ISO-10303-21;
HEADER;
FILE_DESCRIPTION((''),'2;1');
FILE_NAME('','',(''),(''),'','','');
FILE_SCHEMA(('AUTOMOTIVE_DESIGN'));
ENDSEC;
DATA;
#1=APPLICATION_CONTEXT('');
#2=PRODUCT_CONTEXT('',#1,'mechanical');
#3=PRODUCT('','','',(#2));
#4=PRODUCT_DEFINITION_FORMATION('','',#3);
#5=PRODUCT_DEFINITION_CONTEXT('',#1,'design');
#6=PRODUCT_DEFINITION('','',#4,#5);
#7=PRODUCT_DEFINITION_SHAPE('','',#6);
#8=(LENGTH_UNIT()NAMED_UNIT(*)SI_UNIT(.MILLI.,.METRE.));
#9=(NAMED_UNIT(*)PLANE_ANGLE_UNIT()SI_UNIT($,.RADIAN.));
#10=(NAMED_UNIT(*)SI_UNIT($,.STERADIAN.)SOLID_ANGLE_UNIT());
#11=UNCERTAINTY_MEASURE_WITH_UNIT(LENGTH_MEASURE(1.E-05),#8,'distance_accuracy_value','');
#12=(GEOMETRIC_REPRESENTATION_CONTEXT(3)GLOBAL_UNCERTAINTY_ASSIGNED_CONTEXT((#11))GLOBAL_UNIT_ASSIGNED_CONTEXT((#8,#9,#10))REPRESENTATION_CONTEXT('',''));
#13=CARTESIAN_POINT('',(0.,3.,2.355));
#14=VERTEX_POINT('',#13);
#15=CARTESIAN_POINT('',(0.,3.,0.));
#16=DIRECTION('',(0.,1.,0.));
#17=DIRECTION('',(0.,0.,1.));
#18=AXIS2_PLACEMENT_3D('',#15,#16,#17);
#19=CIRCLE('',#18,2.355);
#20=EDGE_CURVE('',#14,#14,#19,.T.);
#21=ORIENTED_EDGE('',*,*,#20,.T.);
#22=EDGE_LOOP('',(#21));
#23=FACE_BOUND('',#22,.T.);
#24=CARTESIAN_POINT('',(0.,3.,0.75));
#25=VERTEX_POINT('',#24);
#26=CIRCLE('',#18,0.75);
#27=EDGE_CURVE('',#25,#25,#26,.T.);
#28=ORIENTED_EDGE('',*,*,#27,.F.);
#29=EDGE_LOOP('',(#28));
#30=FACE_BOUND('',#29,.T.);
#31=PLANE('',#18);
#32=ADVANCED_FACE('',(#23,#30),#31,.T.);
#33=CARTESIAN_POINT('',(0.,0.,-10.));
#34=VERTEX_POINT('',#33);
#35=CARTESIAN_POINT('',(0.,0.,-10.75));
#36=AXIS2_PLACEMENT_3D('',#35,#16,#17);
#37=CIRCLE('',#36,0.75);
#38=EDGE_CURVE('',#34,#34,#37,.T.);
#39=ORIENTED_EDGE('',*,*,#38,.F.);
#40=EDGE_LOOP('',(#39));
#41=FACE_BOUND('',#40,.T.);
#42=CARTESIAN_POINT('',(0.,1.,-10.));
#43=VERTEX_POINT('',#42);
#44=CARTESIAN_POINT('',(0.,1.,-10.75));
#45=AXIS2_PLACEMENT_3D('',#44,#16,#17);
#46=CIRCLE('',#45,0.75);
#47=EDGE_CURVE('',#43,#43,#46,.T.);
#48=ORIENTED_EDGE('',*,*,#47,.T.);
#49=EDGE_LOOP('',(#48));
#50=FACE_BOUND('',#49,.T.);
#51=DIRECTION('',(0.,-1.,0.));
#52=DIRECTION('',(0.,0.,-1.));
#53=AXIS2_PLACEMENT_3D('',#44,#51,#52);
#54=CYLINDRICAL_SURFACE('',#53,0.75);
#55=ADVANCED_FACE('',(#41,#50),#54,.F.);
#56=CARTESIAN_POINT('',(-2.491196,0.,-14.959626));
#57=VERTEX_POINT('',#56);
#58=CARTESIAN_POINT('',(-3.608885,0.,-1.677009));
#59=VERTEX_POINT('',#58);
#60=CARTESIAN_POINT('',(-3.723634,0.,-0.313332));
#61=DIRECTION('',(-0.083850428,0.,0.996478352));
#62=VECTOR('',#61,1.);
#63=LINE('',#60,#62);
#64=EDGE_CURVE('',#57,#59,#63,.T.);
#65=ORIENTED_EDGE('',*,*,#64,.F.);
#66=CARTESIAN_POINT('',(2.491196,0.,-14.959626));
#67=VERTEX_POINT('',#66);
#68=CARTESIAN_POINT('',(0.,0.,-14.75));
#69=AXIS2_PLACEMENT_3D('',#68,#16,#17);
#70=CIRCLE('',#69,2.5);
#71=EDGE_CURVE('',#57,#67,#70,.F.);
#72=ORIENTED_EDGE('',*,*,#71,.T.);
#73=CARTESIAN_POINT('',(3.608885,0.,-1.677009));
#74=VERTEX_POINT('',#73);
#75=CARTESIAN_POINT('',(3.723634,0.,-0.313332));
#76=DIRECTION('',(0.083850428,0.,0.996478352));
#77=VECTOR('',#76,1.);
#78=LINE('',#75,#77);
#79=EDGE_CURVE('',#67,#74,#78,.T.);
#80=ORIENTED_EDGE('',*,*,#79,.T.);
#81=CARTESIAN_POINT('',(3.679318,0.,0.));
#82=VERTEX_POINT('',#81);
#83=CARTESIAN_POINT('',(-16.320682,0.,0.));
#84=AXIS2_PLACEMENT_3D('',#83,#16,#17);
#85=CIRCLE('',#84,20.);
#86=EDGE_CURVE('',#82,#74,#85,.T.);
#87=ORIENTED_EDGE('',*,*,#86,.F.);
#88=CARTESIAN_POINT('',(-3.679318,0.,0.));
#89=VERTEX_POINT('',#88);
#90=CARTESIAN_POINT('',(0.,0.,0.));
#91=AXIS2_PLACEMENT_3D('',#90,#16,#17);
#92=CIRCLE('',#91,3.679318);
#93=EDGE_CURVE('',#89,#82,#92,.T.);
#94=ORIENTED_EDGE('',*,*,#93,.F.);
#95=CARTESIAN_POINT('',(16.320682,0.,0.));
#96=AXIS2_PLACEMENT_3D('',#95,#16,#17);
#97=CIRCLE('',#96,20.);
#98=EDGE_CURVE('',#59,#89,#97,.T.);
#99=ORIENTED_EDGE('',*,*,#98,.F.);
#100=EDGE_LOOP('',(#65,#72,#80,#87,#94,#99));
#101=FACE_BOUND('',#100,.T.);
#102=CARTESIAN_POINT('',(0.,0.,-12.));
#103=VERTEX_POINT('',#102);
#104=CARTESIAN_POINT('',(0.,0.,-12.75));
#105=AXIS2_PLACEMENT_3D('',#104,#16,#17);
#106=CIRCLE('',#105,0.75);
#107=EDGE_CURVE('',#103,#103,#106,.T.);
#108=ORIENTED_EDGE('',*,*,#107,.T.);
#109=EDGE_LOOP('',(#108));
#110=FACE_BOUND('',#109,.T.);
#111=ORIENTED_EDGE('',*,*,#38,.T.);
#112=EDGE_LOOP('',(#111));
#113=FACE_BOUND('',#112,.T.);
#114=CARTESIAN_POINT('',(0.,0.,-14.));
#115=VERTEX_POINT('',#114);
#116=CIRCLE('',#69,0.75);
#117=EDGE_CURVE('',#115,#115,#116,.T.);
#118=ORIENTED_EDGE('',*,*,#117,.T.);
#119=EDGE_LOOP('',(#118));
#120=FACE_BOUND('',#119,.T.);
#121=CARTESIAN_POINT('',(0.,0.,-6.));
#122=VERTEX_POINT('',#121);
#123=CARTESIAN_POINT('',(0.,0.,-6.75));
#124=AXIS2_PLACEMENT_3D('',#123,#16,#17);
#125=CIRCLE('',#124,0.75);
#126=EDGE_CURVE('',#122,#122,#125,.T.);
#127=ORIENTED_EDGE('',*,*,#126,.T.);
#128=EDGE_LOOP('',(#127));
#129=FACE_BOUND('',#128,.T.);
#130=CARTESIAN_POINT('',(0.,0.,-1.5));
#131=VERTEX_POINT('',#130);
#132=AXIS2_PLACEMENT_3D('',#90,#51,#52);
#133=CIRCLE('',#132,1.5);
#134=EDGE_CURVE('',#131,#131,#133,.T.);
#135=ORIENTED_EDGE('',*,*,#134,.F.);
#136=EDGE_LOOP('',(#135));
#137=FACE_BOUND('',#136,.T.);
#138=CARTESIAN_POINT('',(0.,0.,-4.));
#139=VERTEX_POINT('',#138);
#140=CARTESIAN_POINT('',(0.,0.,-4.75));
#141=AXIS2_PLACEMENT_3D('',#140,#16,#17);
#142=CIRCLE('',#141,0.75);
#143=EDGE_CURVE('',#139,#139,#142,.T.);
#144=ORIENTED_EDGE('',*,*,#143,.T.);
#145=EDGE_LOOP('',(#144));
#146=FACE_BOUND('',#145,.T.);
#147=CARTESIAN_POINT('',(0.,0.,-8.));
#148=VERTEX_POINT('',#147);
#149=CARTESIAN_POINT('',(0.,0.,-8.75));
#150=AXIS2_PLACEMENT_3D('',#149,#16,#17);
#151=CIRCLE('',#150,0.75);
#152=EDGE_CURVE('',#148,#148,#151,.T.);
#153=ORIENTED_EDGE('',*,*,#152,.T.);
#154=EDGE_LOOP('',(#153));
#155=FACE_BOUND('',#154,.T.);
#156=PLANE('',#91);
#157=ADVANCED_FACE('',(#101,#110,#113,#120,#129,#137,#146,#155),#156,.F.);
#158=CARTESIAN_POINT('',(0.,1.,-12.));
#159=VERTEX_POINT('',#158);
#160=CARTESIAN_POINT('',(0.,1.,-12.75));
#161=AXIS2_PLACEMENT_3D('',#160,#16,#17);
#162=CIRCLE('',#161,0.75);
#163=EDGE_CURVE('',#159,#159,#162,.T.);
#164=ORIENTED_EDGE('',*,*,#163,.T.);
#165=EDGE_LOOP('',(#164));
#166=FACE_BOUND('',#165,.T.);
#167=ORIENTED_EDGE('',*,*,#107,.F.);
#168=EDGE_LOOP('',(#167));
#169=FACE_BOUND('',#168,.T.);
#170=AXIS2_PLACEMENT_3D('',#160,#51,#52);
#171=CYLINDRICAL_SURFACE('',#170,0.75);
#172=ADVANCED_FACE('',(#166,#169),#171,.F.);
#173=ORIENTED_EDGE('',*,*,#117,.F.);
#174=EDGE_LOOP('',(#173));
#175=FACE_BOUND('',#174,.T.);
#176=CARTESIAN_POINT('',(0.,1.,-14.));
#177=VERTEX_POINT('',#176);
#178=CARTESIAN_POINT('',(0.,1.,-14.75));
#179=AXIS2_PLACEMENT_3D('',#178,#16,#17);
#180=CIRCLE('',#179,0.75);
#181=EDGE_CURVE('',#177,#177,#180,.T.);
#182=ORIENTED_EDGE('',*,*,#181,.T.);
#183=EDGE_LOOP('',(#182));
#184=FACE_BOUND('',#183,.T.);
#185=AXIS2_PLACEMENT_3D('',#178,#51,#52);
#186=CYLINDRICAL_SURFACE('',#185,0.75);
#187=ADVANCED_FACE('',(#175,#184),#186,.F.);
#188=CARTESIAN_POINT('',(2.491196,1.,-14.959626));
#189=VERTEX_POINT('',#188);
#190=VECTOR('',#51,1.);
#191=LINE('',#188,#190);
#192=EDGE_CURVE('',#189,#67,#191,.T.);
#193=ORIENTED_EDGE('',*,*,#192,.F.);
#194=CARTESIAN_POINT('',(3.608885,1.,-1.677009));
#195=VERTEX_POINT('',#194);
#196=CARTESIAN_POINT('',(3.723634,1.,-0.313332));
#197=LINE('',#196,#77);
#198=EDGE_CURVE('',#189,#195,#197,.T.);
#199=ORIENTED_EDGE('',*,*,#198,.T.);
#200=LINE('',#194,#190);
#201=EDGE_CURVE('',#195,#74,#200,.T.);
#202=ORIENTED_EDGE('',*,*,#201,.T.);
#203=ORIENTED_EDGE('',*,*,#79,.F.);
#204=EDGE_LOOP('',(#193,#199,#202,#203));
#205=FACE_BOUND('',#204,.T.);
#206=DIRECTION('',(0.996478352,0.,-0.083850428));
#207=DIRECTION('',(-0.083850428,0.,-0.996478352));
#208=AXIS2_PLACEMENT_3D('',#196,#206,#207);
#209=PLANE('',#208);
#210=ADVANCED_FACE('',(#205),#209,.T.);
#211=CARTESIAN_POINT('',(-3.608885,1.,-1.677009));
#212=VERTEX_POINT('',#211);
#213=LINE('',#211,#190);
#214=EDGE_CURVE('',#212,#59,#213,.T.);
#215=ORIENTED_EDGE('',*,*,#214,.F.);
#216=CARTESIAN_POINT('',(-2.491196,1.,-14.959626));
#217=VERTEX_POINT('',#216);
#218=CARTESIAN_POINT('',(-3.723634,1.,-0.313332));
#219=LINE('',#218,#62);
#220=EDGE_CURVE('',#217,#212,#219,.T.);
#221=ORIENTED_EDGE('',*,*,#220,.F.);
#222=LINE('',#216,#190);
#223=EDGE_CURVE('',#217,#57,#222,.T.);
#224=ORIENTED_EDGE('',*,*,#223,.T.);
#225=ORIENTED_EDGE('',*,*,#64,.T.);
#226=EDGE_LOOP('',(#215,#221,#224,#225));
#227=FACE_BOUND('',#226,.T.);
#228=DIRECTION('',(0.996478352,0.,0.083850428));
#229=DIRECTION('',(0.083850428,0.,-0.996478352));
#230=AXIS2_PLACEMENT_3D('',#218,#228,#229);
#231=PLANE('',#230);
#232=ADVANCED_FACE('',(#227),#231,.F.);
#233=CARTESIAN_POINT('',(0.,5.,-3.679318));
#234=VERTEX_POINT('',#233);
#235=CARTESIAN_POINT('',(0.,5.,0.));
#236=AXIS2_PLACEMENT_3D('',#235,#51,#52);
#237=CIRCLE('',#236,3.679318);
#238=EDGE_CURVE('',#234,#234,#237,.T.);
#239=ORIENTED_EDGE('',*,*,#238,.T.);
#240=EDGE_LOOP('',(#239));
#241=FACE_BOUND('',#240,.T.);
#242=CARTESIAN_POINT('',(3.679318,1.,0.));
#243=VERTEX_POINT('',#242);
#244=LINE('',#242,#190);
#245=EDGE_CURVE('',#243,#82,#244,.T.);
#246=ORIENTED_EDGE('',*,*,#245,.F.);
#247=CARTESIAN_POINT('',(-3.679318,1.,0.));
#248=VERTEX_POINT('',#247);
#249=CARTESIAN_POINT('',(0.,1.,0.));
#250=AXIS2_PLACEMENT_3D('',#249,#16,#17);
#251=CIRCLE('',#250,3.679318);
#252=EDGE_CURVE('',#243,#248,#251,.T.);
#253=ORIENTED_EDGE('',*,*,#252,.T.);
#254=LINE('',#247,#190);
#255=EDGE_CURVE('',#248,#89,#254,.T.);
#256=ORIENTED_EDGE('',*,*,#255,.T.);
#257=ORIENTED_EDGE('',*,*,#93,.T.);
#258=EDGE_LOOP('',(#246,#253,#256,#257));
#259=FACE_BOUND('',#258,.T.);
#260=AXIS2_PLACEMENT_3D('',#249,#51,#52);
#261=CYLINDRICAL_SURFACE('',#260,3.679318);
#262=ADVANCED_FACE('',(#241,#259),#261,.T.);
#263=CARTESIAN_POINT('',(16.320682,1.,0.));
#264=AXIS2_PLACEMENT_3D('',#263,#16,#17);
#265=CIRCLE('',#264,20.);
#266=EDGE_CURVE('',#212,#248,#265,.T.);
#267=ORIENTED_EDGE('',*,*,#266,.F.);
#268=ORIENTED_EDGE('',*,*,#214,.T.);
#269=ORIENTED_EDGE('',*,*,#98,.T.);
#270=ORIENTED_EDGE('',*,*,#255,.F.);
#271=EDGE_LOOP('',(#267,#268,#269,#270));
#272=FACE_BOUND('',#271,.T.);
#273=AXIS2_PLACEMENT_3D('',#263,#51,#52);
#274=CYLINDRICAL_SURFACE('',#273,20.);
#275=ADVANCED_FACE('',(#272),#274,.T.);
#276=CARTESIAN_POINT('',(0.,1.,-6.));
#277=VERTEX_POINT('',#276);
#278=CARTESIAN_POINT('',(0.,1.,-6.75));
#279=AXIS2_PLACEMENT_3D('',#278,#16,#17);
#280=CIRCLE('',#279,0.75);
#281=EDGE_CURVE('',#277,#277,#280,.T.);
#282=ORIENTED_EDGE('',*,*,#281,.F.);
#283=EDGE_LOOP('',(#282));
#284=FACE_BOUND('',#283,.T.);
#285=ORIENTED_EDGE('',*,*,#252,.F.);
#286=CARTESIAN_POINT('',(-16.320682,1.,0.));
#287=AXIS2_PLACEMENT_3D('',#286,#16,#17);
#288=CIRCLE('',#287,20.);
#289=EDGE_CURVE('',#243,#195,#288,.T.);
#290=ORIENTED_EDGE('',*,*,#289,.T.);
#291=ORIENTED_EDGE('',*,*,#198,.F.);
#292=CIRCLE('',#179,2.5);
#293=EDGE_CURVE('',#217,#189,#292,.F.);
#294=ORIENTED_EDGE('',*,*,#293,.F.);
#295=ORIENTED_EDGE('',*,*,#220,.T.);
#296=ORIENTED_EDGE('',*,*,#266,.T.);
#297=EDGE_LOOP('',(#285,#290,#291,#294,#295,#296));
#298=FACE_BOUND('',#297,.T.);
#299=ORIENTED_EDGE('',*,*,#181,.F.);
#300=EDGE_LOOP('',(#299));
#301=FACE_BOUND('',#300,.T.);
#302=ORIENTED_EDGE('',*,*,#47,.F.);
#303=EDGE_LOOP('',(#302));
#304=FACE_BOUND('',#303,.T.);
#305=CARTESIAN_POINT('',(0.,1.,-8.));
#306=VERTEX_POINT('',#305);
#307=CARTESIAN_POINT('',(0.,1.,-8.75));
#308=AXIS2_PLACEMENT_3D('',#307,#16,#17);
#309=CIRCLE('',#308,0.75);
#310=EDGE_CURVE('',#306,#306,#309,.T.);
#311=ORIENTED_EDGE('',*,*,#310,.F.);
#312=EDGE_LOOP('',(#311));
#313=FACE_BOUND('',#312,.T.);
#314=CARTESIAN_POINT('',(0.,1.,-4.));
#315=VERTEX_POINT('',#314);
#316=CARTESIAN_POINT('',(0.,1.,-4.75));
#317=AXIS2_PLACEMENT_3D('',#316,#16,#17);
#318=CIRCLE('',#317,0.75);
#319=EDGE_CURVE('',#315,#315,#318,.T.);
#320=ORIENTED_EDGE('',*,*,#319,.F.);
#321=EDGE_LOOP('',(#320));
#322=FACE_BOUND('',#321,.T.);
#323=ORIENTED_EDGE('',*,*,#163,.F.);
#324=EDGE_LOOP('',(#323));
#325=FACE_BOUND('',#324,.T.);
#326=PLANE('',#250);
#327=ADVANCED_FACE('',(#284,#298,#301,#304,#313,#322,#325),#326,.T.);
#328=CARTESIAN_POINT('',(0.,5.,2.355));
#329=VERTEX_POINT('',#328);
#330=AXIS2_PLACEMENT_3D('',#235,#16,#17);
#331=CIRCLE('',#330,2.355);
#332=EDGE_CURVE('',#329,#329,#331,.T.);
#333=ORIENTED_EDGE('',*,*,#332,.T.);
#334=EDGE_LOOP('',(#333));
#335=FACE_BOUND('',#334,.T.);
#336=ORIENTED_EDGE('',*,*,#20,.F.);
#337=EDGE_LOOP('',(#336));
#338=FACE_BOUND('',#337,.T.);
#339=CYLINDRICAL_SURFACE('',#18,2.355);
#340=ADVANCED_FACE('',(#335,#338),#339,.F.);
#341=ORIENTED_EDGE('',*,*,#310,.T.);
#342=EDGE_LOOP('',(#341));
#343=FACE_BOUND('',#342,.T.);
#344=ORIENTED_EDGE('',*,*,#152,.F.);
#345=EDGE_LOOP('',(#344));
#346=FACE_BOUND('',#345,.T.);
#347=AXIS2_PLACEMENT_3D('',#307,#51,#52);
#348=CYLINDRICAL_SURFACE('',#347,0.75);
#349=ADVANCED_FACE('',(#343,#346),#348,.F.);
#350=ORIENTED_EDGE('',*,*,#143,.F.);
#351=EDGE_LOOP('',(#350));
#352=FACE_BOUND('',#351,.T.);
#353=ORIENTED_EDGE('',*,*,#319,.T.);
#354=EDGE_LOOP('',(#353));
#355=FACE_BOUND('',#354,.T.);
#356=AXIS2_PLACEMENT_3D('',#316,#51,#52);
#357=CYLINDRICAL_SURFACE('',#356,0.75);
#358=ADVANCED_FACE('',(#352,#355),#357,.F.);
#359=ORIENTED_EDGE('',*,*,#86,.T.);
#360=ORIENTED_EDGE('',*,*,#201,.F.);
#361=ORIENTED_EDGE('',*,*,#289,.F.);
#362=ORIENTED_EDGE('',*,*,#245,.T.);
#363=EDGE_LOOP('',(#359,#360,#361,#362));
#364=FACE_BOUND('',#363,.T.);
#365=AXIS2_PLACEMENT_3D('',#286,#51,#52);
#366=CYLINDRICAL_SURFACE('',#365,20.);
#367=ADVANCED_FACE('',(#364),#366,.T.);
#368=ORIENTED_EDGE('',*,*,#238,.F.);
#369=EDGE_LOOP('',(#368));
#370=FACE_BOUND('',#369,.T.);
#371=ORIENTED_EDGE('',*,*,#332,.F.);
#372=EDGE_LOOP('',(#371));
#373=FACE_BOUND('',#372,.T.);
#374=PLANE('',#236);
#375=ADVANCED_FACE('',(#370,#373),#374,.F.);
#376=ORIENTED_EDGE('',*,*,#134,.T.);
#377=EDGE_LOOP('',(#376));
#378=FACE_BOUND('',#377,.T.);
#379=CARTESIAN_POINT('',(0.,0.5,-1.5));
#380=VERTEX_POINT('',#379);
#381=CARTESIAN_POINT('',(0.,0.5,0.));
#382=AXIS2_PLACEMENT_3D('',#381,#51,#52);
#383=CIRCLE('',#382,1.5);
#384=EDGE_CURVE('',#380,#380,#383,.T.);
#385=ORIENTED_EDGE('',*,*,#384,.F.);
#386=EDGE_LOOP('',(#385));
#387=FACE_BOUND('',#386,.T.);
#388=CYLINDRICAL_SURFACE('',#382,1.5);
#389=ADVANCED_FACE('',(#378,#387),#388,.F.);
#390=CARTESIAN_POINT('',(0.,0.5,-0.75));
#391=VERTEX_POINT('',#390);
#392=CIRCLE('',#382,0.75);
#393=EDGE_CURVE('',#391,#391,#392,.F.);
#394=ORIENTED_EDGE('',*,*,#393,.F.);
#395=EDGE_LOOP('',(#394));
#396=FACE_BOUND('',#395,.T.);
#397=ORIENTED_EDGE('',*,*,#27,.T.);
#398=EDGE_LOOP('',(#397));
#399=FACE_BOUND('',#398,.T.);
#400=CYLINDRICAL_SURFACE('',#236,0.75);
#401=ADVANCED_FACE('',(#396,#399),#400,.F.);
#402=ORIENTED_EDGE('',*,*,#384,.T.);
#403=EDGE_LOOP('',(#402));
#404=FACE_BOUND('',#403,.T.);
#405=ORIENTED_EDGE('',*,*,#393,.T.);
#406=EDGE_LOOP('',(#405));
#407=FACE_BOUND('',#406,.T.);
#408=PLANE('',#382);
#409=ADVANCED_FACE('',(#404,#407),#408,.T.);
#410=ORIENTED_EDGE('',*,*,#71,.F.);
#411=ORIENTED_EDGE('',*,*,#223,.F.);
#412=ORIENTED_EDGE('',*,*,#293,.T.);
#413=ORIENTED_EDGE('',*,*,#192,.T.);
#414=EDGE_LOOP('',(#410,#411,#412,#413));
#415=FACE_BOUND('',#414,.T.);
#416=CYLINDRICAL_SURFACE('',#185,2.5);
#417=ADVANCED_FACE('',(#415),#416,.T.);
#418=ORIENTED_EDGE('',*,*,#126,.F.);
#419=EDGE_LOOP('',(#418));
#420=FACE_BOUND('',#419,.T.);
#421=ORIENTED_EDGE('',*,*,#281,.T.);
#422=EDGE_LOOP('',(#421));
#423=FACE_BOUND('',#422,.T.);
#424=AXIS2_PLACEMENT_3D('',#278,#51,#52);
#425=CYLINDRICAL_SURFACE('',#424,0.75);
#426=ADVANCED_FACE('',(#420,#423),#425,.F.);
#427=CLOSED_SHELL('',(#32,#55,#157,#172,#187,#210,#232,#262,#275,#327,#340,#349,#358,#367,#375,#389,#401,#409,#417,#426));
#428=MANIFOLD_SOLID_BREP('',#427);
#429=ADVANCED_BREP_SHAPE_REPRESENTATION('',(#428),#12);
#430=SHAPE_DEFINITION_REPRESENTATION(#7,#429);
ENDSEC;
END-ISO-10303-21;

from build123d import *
from build123d.topology import SkipClean

# Parameters (mm, degrees)
SKETCH1_R           = 0.75
BOSS_EXTRUDE1_DEPTH = 1
SKETCH2_R           = 3.67931812
BOSS_EXTRUDE2_DEPTH = 5
SKETCH2_3_R         = 1.5
CUT_EXTRUDE1_DEPTH  = 0.5
SKETCH1_2_R         = 0.75
CUT_EXTRUDE2_DEPTH  = 19.333027078
SKETCH3_R           = 2.355
CUT_EXTRUDE3_DEPTH  = 2


with BuildPart() as part:
    # Sketch1 → Boss-Extrude1 (new body)
    with BuildSketch(Plane(origin=(0, 0, 0), x_dir=(1, 0, 0), z_dir=(0, 1, 0))):
        with BuildLine():
            ThreePointArc((2.49119588, 14.959626071), (0, 17.25), (-2.49119588, 14.959626071))
            Line((-2.49119588, 14.959626071), (-3.608885156, 1.677008569))
            ThreePointArc((-3.608885156, 1.677008569), (-3.66170212, 0.839243514), (-3.67931812, 4.9e-08))
            ThreePointArc((-3.67931812, 4.9e-08), (-2.4e-08, -3.67931812), (3.67931812, 0))
            ThreePointArc((3.67931812, 0), (3.661702121, 0.83924349), (3.608885156, 1.677008569))
            Line((3.608885156, 1.677008569), (2.49119588, 14.959626071))
        make_face()
        with Locations((0, 4.75)):
            Circle(SKETCH1_R, mode=Mode.SUBTRACT)
        with Locations((0, 6.75)):
            Circle(SKETCH1_R, mode=Mode.SUBTRACT)
        with Locations((0, 8.75)):
            Circle(SKETCH1_R, mode=Mode.SUBTRACT)
        with Locations((0, 10.75)):
            Circle(SKETCH1_R, mode=Mode.SUBTRACT)
        with Locations((0, 12.75)):
            Circle(SKETCH1_R, mode=Mode.SUBTRACT)
        with Locations((0, 14.75)):
            Circle(SKETCH1_R, mode=Mode.SUBTRACT)
        Circle(SKETCH1_R, mode=Mode.SUBTRACT)
    extrude(amount=BOSS_EXTRUDE1_DEPTH)

    # Sketch2 → Boss-Extrude2 (add)
    with SkipClean():  # the faces are left unmerged after this step: merging them gives an invalid solid
        with BuildSketch(Plane.XZ):
            Circle(SKETCH2_R)
        extrude(amount=-BOSS_EXTRUDE2_DEPTH)

    # Sketch2<3> → Cut-Extrude1 (cut)
    with SkipClean():  # the faces are left unmerged after this step: merging them gives an invalid solid
        with BuildSketch(Plane.XZ):
            Circle(SKETCH2_3_R)
        extrude(amount=-CUT_EXTRUDE1_DEPTH, mode=Mode.SUBTRACT)

    # Sketch1<2> → Cut-Extrude2 (cut, through all)
    with SkipClean():  # the faces are left unmerged after this step: merging them gives an invalid solid
        with BuildSketch(Plane(origin=(0, 0, 0), x_dir=(1, 0, 0), z_dir=(0, 1, 0))):
            Circle(SKETCH1_2_R)
        extrude(amount=CUT_EXTRUDE2_DEPTH, mode=Mode.SUBTRACT)

    # Sketch3 → Cut-Extrude3 (cut)
    with SkipClean():  # the faces are left unmerged after this step: merging them gives an invalid solid
        with BuildSketch(Plane(origin=(0, 5, 0), x_dir=(1, 0, 0), z_dir=(0, 1, 0))):
            Circle(SKETCH3_R)
        extrude(amount=-CUT_EXTRUDE3_DEPTH, mode=Mode.SUBTRACT)


solid = part.part
